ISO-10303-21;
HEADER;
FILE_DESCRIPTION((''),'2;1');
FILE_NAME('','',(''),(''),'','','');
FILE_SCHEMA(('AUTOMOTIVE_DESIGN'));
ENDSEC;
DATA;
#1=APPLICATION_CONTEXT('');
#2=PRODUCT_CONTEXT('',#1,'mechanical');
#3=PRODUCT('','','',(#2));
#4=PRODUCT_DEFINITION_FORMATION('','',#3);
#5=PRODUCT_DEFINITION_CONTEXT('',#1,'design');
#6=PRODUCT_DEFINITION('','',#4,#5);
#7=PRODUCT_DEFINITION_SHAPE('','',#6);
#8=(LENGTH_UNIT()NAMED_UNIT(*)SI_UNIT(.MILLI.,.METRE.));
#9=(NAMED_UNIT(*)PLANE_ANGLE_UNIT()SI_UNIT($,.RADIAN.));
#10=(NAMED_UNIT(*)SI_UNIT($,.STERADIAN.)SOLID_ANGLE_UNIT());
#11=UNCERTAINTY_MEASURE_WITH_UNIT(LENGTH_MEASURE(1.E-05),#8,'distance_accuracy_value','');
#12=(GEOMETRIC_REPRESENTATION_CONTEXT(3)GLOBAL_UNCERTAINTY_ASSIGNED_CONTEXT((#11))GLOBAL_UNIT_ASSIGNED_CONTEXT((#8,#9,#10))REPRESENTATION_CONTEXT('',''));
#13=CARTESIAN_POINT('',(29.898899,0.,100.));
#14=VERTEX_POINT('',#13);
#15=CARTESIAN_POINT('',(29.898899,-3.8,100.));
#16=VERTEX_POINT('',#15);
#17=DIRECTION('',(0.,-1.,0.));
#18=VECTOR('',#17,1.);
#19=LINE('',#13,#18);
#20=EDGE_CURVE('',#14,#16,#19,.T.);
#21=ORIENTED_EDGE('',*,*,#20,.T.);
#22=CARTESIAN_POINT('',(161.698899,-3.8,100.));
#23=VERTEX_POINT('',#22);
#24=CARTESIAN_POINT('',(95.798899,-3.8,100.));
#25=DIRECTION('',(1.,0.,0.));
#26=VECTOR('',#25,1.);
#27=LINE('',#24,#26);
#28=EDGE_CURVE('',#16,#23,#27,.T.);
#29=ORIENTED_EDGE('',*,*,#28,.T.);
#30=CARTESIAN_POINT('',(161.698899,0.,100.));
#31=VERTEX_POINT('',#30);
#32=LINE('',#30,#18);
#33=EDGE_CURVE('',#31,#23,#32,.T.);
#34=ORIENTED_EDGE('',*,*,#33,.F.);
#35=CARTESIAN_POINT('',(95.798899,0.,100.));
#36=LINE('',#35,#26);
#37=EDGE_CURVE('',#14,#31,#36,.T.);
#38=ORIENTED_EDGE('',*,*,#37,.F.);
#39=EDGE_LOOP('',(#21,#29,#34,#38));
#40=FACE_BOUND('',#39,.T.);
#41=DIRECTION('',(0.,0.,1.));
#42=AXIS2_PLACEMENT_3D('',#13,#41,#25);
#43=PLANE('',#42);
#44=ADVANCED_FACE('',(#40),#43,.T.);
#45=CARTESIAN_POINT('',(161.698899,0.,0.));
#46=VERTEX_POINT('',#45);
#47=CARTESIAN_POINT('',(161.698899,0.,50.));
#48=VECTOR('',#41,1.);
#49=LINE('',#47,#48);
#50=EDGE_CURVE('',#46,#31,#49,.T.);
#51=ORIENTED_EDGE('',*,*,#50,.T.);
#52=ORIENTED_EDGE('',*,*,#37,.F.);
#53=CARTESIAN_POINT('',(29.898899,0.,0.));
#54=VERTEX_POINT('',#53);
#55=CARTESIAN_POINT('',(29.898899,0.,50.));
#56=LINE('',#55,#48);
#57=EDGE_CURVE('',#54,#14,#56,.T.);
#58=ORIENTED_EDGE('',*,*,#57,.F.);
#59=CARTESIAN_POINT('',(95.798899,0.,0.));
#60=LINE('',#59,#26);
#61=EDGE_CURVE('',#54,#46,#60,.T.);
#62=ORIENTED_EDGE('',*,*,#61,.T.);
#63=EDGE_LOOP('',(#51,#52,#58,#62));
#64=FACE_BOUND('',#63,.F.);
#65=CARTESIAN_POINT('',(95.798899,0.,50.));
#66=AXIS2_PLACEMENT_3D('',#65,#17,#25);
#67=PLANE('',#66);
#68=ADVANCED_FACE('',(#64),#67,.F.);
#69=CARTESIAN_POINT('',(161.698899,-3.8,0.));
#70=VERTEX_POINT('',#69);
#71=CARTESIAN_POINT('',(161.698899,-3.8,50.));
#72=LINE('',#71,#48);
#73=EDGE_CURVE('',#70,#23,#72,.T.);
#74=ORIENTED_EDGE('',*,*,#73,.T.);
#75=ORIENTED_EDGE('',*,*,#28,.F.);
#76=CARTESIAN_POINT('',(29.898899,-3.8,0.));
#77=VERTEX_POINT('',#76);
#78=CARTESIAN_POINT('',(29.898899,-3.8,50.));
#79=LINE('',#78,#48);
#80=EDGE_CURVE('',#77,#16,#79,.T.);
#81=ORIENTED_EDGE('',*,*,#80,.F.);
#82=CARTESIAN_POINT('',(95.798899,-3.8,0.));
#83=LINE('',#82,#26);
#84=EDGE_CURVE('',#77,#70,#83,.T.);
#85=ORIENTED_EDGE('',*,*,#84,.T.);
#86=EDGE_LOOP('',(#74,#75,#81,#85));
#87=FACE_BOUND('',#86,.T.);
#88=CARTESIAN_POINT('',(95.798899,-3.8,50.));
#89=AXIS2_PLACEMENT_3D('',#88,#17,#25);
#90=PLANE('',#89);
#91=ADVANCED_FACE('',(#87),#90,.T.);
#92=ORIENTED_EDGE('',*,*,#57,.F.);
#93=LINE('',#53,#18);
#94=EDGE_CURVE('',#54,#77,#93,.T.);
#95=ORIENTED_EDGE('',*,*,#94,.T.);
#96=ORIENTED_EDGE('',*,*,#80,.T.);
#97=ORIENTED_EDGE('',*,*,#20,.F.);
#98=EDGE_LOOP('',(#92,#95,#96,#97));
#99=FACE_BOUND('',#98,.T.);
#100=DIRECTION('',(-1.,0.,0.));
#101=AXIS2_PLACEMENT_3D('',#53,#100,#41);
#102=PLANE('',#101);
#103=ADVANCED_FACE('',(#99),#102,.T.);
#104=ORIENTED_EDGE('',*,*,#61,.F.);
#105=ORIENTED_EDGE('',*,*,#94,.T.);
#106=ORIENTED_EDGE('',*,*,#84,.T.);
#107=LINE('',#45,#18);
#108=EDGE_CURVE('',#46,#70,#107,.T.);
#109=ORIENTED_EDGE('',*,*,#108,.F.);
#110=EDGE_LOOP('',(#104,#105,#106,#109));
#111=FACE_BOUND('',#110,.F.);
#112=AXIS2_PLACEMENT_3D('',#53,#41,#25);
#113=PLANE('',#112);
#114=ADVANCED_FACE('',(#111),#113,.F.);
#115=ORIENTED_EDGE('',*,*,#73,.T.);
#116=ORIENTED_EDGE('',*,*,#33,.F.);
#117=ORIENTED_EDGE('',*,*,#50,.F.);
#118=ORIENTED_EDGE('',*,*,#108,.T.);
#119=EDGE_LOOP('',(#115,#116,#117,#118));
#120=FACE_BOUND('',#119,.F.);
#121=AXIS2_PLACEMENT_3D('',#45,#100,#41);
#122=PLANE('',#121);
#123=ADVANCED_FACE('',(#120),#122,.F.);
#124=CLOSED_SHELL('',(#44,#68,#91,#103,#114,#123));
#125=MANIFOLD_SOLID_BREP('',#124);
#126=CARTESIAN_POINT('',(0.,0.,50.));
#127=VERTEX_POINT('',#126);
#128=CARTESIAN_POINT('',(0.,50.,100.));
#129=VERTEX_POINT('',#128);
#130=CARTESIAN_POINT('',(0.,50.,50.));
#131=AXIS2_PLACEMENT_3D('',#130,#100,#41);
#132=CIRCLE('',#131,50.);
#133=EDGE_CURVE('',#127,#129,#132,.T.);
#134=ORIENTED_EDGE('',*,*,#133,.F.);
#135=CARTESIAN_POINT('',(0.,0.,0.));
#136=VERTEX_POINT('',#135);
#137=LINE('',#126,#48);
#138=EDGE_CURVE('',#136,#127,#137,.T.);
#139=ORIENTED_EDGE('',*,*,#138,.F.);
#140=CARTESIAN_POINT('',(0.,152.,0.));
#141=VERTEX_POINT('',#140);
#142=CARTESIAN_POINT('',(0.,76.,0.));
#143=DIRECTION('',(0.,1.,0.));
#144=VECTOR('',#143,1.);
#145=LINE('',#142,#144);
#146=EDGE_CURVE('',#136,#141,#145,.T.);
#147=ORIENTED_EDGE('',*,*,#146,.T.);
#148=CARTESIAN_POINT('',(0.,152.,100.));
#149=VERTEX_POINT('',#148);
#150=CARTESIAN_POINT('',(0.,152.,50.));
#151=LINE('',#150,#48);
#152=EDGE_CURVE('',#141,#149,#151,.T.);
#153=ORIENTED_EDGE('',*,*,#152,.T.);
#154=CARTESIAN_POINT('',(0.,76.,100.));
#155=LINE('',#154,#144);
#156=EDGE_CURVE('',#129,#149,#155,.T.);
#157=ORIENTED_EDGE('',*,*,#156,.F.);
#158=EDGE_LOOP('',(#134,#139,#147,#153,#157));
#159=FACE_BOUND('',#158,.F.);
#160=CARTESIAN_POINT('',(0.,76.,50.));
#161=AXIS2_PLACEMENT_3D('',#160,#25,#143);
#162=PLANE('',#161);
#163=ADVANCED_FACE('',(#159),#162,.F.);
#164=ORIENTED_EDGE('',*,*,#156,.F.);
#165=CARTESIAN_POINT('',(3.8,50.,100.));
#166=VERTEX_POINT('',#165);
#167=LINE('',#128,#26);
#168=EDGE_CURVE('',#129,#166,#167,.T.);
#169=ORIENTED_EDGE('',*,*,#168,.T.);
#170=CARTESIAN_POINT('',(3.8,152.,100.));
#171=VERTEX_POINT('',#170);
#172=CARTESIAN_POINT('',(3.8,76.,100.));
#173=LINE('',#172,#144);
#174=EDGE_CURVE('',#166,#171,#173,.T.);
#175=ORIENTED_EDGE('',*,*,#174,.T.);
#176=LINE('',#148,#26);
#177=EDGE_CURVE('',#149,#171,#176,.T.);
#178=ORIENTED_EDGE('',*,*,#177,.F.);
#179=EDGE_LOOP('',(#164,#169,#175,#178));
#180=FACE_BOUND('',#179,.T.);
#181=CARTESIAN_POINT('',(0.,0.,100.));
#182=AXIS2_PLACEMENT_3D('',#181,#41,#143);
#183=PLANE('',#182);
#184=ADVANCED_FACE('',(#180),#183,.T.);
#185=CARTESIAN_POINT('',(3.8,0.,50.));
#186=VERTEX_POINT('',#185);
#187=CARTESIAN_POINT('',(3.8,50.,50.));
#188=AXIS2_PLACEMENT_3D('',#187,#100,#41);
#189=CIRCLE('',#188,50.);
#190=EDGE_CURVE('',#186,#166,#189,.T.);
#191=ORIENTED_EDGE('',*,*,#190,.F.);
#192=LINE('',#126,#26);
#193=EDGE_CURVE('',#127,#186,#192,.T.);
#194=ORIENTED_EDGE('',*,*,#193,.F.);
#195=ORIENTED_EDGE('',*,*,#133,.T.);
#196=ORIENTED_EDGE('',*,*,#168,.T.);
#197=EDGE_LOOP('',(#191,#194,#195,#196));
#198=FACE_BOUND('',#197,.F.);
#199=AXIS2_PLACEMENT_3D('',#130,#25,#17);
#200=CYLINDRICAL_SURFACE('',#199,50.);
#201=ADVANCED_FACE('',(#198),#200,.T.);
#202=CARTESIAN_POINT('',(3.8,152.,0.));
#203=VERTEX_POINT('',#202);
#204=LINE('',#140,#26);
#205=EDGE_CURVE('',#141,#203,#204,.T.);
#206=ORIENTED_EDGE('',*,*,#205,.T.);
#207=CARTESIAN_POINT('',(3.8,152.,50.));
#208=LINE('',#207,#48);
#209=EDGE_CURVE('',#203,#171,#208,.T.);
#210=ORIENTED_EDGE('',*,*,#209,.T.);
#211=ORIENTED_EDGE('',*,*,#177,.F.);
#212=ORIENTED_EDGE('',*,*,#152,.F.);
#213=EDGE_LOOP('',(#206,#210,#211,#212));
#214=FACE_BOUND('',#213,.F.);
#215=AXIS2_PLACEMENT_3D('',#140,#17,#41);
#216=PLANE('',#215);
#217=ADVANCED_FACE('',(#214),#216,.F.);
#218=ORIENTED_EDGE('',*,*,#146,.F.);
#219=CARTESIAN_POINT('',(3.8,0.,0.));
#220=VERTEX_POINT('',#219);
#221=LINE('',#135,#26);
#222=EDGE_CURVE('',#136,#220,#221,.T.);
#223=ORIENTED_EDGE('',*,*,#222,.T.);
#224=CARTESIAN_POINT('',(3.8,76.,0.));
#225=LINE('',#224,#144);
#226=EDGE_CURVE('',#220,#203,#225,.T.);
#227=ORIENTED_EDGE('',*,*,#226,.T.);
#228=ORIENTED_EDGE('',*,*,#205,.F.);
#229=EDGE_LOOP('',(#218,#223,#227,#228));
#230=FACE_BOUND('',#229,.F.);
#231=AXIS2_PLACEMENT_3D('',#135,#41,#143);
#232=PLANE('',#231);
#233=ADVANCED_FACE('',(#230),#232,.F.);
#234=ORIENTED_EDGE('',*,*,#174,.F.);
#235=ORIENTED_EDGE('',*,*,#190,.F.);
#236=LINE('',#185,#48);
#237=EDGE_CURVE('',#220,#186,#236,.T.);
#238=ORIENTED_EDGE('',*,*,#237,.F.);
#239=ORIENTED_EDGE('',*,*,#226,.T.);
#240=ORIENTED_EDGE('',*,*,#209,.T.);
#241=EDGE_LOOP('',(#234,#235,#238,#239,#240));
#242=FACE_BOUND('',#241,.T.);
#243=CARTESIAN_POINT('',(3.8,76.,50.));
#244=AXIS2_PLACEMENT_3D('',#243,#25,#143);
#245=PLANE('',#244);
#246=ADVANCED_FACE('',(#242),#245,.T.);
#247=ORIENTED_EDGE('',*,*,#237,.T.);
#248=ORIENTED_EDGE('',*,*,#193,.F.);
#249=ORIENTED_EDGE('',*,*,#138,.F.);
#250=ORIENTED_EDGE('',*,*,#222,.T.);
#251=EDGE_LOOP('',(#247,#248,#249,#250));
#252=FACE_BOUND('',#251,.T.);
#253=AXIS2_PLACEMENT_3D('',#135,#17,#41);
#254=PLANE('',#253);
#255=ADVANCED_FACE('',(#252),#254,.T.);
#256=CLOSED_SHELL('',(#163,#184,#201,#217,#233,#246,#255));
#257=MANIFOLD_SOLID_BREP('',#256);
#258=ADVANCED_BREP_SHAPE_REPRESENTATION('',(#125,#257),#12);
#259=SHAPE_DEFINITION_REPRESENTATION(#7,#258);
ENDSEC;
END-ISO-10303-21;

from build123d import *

# Parameters (mm, degrees)
F0_W     = 152
F0_H     = 100
F1_DEPTH = 3.8
F2_R     = 50
F3_W     = 131.8
F3_H     = 100
F4_DEPTH = 3.8


with BuildPart() as f1:
    # F0 (on Right) → F1 (new body)
    with BuildSketch(Plane.YZ):
        with Locations((76, 50)):
            Rectangle(F0_W, F0_H)
    extrude(amount=F1_DEPTH)

    # F2
    f2_edges = [f1.edges().sort_by_distance(p)[0] for p in [
        (1.9, 0, 100),
    ]]
    fillet(f2_edges, radius=F2_R)


with BuildPart() as f4:
    # F3 (on Front) → F4 (new body)
    with BuildSketch(Plane.XZ):
        with Locations((95.798899, 50)):
            Rectangle(F3_W, F3_H)
    extrude(amount=F4_DEPTH)


solid = Compound([f1.part, f4.part])
